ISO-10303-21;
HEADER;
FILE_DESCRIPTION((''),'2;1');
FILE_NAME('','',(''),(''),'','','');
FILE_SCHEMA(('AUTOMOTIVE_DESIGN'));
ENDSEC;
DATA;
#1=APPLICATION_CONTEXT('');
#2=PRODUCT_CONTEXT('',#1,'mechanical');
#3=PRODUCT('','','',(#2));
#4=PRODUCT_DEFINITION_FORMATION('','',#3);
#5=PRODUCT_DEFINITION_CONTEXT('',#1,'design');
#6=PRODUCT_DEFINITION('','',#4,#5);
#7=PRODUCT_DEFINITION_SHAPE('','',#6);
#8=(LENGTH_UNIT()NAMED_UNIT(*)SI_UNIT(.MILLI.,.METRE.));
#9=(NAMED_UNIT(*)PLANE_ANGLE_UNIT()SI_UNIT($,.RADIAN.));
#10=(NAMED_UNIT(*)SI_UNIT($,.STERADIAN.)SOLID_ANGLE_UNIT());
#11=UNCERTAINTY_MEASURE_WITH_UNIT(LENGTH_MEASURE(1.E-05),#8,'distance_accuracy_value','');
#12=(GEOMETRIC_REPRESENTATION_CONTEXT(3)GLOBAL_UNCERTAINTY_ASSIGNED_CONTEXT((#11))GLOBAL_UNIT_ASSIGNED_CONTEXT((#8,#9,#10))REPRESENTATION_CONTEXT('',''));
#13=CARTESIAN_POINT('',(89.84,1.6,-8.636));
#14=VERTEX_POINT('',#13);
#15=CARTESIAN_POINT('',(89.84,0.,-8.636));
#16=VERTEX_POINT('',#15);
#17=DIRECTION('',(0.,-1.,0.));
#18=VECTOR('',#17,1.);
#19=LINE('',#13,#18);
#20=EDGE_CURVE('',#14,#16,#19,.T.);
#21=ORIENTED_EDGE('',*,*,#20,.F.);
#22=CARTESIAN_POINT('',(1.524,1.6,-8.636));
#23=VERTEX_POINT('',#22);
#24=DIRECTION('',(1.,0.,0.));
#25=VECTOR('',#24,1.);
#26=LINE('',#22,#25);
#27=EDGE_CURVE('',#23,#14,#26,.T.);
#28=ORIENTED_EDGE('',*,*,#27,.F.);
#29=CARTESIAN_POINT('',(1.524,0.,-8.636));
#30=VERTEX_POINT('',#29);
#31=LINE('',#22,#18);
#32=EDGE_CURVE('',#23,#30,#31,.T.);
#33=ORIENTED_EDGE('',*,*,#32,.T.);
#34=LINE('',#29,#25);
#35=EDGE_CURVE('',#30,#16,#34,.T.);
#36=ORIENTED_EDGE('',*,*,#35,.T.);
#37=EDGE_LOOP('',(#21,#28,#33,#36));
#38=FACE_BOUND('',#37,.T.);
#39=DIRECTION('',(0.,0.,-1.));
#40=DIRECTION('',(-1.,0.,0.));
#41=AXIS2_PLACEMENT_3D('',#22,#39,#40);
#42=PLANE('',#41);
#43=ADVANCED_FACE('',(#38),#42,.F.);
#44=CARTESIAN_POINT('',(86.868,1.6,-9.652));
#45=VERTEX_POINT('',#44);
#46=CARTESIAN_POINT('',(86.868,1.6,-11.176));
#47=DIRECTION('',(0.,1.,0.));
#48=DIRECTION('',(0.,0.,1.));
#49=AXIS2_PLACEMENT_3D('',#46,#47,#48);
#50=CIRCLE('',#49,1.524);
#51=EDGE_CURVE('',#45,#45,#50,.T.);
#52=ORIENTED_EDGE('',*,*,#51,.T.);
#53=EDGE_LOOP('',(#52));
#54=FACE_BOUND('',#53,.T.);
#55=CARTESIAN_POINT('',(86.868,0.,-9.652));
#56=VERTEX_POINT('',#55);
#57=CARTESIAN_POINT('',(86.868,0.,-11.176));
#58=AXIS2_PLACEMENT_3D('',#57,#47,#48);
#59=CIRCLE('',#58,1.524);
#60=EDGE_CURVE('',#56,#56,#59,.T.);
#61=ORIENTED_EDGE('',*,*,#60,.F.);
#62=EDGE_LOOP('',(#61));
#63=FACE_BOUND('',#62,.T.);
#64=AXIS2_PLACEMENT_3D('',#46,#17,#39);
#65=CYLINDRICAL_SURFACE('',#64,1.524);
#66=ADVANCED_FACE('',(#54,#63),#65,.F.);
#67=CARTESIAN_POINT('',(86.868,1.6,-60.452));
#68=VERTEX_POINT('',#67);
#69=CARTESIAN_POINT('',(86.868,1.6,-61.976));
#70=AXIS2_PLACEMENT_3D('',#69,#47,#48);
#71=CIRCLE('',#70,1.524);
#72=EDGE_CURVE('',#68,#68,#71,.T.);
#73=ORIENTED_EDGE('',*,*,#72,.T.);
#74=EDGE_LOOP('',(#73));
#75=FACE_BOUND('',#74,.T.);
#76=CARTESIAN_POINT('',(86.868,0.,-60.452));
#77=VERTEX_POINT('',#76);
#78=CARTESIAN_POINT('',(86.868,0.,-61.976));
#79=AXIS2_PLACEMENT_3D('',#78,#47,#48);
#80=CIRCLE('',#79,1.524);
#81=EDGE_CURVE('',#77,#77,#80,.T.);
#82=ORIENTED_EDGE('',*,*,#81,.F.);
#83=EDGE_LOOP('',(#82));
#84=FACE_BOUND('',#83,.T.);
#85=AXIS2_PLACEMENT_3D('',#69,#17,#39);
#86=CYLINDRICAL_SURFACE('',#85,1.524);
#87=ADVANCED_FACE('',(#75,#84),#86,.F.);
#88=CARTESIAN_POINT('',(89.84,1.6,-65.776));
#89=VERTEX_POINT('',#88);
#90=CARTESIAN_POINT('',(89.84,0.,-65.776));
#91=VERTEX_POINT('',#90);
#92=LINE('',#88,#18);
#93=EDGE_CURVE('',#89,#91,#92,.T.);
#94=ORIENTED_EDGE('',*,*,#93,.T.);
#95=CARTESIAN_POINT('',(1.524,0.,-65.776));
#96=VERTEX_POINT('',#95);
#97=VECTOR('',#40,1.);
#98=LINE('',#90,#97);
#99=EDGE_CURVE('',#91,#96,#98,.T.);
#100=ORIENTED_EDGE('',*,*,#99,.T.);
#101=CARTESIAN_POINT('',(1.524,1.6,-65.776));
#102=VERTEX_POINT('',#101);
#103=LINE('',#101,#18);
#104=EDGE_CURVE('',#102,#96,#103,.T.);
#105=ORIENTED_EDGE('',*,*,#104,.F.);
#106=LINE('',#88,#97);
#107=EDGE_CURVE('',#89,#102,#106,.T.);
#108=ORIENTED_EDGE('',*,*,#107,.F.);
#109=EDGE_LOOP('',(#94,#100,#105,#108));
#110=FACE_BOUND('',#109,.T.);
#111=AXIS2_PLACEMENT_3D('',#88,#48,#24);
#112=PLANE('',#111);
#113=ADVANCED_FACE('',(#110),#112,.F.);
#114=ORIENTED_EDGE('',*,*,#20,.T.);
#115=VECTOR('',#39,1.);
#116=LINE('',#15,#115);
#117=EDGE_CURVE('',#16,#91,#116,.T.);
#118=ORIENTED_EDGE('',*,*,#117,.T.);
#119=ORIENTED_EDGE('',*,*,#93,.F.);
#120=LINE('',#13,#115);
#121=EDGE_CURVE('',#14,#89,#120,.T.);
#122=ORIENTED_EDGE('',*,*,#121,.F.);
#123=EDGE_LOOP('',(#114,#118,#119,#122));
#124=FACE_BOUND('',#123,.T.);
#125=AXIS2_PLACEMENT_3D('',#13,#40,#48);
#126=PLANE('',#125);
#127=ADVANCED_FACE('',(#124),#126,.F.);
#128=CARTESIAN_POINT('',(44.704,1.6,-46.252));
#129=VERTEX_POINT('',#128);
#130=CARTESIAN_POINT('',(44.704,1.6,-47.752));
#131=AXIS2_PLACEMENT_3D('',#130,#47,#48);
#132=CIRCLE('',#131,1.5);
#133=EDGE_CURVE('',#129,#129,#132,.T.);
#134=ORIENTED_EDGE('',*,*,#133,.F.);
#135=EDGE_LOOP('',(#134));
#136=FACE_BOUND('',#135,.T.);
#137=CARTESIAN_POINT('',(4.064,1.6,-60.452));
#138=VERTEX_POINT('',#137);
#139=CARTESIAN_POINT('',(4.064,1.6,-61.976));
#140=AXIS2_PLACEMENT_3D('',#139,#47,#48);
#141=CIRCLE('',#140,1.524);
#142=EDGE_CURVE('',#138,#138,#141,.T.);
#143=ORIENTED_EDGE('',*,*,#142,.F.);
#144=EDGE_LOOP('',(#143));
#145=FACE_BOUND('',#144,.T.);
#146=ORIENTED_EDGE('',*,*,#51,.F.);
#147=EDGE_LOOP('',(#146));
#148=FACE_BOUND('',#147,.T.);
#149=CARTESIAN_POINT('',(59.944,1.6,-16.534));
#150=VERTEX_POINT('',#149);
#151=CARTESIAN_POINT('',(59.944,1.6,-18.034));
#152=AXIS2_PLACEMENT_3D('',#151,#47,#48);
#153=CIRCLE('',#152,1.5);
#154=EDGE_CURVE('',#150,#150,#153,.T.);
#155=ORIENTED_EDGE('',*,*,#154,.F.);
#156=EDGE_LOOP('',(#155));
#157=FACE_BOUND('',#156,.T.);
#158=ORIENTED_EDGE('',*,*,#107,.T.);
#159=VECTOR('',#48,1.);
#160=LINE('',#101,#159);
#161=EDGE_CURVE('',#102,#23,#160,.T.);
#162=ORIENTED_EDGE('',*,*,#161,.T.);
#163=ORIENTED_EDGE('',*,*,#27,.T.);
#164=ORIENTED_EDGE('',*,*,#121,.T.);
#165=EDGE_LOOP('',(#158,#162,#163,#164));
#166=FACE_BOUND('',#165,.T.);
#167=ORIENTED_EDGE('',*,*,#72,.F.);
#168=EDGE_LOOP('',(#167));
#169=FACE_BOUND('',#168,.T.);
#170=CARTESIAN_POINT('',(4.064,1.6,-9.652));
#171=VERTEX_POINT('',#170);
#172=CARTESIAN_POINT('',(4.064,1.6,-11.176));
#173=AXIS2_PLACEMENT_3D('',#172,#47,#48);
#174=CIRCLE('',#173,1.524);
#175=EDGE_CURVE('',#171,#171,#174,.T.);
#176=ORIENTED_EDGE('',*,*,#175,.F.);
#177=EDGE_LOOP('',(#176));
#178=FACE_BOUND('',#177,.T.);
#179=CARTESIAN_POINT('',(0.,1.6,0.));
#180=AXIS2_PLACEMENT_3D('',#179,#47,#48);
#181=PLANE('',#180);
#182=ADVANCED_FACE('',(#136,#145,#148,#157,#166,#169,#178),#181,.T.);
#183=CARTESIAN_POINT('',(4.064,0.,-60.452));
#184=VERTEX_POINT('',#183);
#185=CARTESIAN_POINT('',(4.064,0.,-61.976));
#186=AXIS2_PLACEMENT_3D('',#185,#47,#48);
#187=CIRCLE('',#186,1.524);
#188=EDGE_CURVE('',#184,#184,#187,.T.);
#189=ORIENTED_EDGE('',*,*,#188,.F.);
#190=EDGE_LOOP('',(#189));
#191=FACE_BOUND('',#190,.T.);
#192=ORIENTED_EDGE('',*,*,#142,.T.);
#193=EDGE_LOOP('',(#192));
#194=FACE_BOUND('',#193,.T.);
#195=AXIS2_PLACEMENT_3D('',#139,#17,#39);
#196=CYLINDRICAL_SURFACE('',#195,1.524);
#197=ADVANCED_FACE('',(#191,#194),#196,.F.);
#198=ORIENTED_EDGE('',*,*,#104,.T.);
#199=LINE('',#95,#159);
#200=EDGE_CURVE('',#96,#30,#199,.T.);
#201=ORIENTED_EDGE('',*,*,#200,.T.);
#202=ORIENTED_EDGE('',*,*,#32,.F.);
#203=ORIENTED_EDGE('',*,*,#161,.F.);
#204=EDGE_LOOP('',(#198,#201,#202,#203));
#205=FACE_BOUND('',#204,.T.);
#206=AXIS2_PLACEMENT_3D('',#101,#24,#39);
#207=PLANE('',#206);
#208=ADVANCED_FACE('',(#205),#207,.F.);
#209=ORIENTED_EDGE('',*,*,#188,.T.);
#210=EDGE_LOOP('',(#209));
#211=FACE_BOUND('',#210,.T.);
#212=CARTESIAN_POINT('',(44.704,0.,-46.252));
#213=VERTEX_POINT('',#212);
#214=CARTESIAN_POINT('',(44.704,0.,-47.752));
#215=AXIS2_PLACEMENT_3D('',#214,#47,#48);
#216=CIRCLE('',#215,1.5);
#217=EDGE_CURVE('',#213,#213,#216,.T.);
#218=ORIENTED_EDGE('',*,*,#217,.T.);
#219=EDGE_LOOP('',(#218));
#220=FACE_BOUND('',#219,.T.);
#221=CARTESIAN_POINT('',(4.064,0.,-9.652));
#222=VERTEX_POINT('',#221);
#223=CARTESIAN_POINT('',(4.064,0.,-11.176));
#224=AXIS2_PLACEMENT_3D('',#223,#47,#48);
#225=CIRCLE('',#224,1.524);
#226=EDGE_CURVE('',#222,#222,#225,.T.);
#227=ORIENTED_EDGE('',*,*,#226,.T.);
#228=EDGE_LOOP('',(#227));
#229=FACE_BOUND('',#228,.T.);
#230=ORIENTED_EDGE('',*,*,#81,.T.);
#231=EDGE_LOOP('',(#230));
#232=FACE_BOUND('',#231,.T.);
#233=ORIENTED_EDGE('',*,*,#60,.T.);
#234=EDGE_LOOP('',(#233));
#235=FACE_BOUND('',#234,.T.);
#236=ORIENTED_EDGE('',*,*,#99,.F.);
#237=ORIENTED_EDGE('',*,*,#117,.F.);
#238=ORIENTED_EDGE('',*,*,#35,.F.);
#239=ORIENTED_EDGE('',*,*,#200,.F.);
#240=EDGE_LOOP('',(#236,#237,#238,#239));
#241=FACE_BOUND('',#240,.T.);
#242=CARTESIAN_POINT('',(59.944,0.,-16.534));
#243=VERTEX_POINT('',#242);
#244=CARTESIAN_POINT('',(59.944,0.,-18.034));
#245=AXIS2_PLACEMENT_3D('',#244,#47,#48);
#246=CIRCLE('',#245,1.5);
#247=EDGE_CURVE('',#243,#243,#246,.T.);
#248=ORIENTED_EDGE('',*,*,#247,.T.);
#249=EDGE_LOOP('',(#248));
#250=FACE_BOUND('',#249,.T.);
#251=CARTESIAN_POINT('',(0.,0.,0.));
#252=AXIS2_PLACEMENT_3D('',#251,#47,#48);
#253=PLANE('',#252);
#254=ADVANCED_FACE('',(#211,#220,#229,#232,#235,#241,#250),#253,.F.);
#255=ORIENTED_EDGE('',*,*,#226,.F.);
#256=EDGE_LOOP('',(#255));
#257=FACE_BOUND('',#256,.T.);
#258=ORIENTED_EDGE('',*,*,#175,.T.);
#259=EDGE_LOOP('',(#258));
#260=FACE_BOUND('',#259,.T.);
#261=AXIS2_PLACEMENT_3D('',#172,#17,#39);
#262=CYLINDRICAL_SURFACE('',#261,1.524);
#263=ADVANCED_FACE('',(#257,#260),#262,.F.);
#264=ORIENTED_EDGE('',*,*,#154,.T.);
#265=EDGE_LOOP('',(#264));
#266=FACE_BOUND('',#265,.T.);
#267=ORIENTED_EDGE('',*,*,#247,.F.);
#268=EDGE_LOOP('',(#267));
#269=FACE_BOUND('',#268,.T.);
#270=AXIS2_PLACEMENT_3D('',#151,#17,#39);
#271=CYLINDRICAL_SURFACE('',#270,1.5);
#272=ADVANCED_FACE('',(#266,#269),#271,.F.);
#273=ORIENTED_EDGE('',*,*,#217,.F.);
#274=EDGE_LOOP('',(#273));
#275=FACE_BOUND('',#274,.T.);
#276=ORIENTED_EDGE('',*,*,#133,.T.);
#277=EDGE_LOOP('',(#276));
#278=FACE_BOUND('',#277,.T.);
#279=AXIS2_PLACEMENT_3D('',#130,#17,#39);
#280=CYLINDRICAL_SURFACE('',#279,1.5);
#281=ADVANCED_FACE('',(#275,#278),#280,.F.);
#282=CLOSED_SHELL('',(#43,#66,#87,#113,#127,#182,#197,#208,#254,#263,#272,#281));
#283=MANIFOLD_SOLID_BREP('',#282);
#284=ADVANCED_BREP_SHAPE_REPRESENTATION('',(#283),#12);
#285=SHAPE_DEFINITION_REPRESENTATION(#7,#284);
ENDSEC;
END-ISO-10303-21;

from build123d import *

# Parameters (mm, degrees)
SKICA2_W                = 88.316
SKICA2_H                = 57.14
SKICA2_R                = 1.524
SKICA2_R_2              = 1.5
P_IDAT_VYSUNUT_M1_DEPTH = 1.6


with BuildPart() as part:
    # Skica2 → Přidat vysunutím1 (new body)
    with BuildSketch(Plane(origin=(0, 0, 0), x_dir=(1, 0, 0), z_dir=(0, 1, 0))):
        with Locations((45.682, 37.206)):
            Rectangle(SKICA2_W, SKICA2_H)
        with Locations(Location((4.064, 61.976, 0), (0, 0, 270))):
            Circle(SKICA2_R, mode=Mode.SUBTRACT)
        with Locations(Location((4.064, 11.176, 0), (0, 0, 270))):
            Circle(SKICA2_R, mode=Mode.SUBTRACT)
        with Locations(Location((86.868, 11.176, 0), (0, 0, 270))):
            Circle(SKICA2_R, mode=Mode.SUBTRACT)
        with Locations(Location((86.868, 61.976, 0), (0, 0, 270))):
            Circle(SKICA2_R, mode=Mode.SUBTRACT)
        with Locations(Location((59.944, 18.034, 0), (0, 0, 270))):
            Circle(SKICA2_R_2, mode=Mode.SUBTRACT)
        with Locations(Location((44.704, 47.752, 0), (0, 0, 270))):
            Circle(SKICA2_R_2, mode=Mode.SUBTRACT)
    extrude(amount=P_IDAT_VYSUNUT_M1_DEPTH)


solid = part.part
